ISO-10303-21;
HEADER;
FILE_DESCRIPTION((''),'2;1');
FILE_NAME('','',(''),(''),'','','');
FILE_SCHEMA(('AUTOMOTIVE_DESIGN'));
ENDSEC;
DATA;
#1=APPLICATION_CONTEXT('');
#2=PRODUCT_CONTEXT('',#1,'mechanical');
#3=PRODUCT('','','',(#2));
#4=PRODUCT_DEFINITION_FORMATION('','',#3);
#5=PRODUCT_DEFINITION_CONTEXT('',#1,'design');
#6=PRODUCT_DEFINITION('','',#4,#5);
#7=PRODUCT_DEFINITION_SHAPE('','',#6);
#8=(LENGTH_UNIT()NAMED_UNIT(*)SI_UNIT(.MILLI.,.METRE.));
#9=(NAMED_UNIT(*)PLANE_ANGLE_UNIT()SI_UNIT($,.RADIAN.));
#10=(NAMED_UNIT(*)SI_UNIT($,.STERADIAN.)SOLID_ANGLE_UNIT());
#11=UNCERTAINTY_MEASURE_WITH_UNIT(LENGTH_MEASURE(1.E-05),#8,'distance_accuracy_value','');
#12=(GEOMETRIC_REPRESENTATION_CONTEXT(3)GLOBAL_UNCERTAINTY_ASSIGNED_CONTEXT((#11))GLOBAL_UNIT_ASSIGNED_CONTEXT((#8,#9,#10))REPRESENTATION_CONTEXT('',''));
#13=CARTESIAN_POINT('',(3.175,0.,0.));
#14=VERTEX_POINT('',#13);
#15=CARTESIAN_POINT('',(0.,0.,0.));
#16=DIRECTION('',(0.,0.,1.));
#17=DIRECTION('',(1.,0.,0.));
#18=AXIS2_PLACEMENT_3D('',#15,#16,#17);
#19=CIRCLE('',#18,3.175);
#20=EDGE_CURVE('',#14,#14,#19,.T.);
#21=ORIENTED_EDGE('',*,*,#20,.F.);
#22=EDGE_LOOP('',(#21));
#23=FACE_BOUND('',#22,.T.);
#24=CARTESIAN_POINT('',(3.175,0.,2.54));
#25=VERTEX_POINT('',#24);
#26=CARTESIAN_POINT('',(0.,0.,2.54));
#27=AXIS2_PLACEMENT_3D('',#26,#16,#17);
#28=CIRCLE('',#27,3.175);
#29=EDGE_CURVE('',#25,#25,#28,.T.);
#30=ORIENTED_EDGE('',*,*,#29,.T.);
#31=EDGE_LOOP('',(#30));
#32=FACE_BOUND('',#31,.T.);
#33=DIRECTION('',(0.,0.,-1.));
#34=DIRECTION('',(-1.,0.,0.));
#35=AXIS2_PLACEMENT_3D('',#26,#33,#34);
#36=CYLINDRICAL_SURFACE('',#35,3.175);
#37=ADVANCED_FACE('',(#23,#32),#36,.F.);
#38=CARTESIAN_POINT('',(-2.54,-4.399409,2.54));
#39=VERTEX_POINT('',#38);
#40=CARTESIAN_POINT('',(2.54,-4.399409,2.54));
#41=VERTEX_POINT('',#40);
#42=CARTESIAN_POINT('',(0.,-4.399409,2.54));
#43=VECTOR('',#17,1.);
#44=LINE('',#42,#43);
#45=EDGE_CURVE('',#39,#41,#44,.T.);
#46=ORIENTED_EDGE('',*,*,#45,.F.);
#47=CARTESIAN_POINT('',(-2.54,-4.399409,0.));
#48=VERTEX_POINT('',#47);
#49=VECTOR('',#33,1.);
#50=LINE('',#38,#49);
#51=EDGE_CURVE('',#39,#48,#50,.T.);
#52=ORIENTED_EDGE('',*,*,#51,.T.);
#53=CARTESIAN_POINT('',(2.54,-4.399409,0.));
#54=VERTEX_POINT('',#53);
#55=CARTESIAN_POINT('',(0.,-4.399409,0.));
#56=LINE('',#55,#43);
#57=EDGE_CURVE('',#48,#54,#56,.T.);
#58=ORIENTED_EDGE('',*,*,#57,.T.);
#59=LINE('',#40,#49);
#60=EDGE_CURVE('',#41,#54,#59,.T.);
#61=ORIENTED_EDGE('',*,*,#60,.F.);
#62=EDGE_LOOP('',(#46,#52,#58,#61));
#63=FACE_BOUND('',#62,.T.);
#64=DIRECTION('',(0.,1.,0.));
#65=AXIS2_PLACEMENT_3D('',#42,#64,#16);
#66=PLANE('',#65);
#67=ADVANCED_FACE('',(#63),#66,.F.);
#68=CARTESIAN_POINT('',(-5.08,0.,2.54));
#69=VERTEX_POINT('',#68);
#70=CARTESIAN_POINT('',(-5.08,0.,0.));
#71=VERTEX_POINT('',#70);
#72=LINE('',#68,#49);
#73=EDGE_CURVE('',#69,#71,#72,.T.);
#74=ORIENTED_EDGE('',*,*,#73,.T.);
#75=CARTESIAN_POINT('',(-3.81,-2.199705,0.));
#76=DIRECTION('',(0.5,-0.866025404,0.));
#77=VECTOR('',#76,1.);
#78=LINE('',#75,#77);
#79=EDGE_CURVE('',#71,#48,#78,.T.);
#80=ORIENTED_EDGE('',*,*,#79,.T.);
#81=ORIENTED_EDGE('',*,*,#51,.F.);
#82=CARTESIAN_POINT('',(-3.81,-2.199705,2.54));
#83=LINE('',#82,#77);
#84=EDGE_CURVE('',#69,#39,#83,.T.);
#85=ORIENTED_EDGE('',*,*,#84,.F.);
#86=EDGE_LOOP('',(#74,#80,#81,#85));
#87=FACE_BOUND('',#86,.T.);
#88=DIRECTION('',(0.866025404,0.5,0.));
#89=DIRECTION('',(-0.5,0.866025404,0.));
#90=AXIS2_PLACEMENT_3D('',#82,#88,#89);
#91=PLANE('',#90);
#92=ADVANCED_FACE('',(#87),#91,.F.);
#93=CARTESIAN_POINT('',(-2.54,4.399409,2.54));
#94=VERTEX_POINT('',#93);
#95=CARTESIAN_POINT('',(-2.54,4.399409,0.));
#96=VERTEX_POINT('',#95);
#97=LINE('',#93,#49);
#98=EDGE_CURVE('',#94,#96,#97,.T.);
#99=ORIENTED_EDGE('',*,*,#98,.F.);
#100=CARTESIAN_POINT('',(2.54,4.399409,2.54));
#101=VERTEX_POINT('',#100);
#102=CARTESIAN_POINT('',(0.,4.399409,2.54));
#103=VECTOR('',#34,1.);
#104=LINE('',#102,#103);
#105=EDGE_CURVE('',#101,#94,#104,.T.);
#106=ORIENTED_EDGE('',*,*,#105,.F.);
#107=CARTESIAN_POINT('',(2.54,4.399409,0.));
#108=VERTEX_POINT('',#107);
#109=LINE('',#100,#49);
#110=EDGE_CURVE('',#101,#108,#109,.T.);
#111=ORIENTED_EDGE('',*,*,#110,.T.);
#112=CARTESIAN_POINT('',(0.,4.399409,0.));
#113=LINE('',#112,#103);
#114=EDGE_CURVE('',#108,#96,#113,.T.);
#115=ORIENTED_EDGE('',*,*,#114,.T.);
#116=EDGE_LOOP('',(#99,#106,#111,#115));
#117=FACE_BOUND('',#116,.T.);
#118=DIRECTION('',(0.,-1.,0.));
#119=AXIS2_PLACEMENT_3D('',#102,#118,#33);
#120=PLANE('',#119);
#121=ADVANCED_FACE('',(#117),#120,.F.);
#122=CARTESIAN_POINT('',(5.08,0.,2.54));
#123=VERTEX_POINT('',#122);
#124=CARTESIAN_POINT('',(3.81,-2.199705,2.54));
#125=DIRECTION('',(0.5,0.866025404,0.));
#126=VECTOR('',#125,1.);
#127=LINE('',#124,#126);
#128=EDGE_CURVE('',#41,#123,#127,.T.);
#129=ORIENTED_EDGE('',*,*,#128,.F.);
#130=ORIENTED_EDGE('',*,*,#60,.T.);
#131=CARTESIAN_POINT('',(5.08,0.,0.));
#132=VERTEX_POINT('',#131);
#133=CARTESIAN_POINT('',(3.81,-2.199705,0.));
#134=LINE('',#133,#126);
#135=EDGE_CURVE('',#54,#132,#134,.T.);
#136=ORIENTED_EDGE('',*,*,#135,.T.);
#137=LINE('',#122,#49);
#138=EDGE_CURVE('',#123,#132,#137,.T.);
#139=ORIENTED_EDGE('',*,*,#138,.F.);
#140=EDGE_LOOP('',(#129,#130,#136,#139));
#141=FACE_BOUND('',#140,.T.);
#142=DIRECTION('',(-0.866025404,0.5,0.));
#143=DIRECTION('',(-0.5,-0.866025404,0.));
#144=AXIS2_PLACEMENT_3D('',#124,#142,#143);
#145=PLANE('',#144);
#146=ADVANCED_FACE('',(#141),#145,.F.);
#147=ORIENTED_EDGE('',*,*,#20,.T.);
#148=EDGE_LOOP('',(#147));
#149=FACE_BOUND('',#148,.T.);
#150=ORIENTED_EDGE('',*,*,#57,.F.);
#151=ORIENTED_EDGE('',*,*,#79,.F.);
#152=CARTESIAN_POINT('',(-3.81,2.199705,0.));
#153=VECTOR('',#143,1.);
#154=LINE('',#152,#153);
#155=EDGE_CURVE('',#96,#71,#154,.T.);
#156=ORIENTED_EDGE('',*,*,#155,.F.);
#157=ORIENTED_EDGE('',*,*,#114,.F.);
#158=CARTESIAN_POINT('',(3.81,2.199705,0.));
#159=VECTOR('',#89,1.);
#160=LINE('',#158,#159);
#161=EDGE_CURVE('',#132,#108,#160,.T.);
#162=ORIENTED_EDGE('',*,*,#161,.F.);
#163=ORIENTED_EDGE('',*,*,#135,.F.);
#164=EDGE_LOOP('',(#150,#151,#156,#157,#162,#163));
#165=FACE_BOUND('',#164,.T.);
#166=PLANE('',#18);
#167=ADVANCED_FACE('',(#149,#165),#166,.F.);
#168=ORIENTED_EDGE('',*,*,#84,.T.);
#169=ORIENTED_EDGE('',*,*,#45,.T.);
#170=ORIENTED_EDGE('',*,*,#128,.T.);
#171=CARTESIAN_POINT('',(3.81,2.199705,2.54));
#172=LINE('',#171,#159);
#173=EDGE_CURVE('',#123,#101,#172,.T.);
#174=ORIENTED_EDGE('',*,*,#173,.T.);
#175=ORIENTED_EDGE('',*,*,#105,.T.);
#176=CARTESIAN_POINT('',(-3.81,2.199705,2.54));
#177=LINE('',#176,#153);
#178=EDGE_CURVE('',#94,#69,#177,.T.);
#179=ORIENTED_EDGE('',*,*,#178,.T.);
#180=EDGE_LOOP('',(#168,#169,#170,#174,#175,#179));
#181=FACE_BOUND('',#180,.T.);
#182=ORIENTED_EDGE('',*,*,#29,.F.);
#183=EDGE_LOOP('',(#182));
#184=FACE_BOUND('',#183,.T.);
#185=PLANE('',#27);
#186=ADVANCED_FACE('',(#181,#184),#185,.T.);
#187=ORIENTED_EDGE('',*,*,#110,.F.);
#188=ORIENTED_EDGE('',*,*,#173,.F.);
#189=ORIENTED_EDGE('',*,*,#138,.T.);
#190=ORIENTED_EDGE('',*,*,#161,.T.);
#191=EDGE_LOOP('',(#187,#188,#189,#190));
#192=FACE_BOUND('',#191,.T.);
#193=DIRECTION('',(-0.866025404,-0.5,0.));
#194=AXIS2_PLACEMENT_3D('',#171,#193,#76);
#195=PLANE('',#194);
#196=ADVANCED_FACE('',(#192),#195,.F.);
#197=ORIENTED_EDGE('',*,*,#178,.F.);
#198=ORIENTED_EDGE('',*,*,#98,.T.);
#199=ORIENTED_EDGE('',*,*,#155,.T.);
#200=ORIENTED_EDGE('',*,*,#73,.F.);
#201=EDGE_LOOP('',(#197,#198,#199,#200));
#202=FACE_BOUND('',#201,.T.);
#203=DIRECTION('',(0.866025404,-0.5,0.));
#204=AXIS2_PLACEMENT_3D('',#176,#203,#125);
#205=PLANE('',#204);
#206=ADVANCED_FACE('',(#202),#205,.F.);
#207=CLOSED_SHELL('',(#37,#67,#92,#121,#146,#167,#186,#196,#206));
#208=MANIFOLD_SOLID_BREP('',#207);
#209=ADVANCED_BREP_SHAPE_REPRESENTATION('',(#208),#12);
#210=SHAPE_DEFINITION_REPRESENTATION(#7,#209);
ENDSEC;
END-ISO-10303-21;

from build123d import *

# Parameters (mm, degrees)
SKETCH1_R           = 3.175
BOSS_EXTRUDE1_DEPTH = 2.54


with BuildPart() as part:
    # Sketch1 → Boss-Extrude1 (new body)
    with BuildSketch(Plane.XY):
        Polygon((2.54, -4.399409051), (5.08, 0), (2.54, 4.399409051), (-2.54, 4.399409051), (-5.08, 0), (-2.54, -4.399409051), align=None)
        Circle(SKETCH1_R, mode=Mode.SUBTRACT)
    extrude(amount=BOSS_EXTRUDE1_DEPTH)


solid = part.part
